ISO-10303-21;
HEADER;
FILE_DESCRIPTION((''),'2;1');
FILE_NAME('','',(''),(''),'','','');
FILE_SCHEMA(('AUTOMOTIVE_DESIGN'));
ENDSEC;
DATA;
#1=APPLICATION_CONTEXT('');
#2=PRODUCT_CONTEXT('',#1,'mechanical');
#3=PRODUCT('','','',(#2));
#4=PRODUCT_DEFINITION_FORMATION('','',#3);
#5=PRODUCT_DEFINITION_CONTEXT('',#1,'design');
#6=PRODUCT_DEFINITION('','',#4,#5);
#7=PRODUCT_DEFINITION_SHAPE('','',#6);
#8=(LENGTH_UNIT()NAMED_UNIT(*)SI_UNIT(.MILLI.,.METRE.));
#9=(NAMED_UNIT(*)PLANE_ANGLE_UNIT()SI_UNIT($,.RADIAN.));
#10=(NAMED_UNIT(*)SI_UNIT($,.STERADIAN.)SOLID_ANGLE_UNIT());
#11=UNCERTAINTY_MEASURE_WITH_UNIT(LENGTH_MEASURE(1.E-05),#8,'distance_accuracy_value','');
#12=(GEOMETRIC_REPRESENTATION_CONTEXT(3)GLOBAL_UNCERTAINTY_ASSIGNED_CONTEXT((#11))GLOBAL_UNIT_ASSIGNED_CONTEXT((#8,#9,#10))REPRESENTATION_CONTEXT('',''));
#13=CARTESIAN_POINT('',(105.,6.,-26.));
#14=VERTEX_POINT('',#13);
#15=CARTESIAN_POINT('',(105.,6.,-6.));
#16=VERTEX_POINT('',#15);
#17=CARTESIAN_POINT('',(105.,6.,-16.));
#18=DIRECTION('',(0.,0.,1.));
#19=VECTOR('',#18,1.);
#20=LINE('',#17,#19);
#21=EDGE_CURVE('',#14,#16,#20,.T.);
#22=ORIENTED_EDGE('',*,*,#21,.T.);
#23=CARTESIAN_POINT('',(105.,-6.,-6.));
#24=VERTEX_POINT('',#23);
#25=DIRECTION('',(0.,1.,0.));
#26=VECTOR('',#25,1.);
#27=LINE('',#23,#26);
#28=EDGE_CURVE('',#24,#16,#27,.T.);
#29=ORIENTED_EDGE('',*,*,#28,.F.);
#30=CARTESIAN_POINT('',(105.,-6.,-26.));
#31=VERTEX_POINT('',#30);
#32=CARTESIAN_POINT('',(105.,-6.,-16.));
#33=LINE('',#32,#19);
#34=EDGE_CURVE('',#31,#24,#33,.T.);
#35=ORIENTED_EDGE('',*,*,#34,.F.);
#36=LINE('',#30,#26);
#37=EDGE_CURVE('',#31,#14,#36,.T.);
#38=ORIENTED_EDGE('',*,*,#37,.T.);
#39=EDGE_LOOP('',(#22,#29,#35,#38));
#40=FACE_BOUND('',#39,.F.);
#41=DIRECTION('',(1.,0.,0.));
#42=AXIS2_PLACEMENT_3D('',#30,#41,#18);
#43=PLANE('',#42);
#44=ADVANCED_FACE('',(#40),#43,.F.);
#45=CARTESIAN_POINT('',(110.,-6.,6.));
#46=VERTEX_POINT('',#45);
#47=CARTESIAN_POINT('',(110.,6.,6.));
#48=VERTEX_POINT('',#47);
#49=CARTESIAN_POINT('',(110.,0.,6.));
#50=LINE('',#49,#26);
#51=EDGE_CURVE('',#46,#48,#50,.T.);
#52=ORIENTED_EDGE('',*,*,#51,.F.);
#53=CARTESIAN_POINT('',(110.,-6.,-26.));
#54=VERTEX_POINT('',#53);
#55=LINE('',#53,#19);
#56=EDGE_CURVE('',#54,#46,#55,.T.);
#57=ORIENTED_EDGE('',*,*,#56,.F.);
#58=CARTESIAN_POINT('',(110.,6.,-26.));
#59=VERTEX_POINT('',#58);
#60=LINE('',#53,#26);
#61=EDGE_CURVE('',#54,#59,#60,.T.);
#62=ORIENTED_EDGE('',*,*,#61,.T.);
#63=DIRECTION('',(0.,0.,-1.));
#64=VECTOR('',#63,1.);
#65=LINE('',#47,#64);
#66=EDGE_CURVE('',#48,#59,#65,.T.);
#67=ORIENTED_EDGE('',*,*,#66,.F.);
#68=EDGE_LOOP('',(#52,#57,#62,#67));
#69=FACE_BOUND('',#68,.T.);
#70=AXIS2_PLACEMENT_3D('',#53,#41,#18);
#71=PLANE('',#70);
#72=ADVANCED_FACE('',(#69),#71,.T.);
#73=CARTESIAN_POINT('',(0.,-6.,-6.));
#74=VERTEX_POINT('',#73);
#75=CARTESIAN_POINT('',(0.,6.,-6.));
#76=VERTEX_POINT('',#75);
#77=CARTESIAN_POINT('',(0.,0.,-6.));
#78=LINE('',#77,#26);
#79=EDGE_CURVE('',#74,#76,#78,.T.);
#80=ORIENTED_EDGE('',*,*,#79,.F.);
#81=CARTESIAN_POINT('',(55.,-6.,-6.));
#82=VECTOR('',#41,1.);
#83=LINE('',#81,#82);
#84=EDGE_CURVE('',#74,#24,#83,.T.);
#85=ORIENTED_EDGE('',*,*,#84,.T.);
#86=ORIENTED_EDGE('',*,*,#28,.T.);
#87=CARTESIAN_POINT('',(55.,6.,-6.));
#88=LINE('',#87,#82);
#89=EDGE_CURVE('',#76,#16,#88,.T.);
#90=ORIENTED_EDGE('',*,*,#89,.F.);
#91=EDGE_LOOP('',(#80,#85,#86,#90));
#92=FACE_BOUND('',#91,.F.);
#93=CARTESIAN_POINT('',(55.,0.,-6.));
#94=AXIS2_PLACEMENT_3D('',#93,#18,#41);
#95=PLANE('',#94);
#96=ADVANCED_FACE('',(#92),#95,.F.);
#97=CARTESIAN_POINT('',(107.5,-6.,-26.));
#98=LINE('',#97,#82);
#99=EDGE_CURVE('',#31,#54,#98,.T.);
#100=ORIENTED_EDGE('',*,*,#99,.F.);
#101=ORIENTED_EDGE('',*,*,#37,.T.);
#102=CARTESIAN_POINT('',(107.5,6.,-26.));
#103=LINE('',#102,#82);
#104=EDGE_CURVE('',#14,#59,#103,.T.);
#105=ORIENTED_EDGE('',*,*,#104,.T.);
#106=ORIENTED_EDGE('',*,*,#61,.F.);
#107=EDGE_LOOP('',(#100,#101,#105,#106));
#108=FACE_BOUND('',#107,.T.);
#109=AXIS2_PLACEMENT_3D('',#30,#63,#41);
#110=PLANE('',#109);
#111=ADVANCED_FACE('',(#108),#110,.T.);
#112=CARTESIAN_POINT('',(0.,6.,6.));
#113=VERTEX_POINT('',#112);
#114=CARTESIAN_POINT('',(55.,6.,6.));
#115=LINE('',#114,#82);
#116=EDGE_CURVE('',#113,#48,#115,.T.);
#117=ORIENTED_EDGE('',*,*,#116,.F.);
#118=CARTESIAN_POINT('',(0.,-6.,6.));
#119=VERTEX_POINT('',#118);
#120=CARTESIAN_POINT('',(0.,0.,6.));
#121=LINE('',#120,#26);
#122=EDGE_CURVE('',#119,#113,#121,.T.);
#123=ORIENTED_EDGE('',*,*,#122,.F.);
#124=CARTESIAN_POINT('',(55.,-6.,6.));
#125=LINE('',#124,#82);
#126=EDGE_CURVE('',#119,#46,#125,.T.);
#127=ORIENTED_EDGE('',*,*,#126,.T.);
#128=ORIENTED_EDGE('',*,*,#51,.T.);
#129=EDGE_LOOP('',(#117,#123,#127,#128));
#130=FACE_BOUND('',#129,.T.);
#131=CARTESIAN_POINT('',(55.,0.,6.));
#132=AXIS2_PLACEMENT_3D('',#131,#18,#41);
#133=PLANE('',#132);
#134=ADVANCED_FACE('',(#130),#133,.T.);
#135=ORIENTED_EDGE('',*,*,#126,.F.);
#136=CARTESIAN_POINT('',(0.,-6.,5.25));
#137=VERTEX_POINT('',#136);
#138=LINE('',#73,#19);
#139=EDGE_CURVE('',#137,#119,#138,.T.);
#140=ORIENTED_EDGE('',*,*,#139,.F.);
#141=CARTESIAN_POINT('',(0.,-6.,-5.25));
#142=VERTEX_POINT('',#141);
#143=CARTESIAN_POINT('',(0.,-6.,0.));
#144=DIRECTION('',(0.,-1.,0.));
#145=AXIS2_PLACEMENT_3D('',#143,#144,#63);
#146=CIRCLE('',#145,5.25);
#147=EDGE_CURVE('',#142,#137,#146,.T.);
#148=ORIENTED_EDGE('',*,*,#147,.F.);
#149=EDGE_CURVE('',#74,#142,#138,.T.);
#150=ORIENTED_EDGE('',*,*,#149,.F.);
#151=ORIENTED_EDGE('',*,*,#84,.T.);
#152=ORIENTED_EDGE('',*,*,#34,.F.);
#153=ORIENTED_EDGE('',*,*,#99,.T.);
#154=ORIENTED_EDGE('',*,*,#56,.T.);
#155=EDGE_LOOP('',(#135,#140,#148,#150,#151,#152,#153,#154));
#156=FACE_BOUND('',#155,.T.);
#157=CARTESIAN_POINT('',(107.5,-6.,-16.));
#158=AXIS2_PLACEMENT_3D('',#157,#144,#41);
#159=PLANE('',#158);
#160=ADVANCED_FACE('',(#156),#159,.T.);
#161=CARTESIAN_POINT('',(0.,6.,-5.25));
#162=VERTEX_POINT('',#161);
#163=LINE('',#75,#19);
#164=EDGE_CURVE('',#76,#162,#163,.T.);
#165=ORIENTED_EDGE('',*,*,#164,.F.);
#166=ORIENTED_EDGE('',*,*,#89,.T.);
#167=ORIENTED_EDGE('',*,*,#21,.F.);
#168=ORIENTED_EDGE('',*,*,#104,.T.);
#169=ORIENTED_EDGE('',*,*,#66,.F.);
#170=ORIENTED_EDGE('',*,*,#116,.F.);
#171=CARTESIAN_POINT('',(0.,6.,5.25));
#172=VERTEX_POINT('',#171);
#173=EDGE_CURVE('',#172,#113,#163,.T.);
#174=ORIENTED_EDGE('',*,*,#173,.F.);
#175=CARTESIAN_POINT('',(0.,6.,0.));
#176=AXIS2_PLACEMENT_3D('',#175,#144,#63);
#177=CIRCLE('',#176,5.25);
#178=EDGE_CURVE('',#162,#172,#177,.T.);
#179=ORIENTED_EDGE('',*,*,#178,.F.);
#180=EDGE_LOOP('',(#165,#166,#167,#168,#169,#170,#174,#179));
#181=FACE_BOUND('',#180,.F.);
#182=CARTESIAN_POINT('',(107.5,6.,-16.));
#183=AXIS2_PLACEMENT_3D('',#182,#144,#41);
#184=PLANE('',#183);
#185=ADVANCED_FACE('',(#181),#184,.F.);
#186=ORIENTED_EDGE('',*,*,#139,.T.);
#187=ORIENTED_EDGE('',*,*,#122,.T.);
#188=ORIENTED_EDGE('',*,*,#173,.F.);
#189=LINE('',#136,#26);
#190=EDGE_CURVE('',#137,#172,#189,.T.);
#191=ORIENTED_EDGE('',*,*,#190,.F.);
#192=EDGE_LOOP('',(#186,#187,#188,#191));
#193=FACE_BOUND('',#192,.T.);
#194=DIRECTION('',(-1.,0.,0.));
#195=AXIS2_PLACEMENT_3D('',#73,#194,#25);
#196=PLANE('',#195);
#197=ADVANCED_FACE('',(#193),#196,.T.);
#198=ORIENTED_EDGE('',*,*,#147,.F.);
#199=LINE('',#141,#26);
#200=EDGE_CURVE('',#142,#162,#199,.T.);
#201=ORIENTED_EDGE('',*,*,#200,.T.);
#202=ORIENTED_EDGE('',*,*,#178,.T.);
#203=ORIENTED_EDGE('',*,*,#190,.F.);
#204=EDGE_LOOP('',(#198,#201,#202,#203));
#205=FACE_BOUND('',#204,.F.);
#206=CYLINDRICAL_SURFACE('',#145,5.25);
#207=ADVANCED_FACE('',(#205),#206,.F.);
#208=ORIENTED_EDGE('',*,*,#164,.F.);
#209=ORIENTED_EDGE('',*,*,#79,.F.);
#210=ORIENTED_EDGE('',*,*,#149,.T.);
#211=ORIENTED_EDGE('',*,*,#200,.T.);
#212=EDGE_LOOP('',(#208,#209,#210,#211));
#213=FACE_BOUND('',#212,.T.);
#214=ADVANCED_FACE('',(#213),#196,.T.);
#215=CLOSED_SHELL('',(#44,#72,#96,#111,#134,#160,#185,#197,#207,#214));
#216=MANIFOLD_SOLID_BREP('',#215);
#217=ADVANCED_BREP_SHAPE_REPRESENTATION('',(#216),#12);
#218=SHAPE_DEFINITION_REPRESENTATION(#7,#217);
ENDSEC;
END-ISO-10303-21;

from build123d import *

# Parameters (mm, degrees)
BOX_W        = 110
BOX_H        = 12
BOX_DEPTH    = 12
POCKET_DEPTH = 12
SKETCH001_W  = 5
SKETCH001_H  = 20
PAD_DEPTH    = 12


with BuildPart() as part:
    # Box → Box (new body)
    with BuildSketch(Plane(origin=(0, -6, -6), x_dir=(1, 0, 0), z_dir=(0, 0, 1))):
        with Locations((55, 6)):
            Rectangle(BOX_W, BOX_H)
    extrude(amount=BOX_DEPTH)

    # Sketch → Pocket (cut)
    with BuildSketch(Plane(origin=(0, -6, -6), x_dir=(1, 0, 0), z_dir=(0, -1, 0))):
        with BuildLine():
            ThreePointArc((0, 0.75), (5.25, 6), (0, 11.25))
            Line((0, 11.25), (0, 0.75))
        make_face()
    extrude(amount=-POCKET_DEPTH, mode=Mode.SUBTRACT)

    # Sketch001 → Pad (new body)
    with BuildSketch(Plane(origin=(0, -6, -6), x_dir=(1, 0, 0), z_dir=(0, -1, 0))):
        with Locations((107.5, -10)):
            Rectangle(SKETCH001_W, SKETCH001_H)
    extrude(amount=-PAD_DEPTH)


solid = part.part
